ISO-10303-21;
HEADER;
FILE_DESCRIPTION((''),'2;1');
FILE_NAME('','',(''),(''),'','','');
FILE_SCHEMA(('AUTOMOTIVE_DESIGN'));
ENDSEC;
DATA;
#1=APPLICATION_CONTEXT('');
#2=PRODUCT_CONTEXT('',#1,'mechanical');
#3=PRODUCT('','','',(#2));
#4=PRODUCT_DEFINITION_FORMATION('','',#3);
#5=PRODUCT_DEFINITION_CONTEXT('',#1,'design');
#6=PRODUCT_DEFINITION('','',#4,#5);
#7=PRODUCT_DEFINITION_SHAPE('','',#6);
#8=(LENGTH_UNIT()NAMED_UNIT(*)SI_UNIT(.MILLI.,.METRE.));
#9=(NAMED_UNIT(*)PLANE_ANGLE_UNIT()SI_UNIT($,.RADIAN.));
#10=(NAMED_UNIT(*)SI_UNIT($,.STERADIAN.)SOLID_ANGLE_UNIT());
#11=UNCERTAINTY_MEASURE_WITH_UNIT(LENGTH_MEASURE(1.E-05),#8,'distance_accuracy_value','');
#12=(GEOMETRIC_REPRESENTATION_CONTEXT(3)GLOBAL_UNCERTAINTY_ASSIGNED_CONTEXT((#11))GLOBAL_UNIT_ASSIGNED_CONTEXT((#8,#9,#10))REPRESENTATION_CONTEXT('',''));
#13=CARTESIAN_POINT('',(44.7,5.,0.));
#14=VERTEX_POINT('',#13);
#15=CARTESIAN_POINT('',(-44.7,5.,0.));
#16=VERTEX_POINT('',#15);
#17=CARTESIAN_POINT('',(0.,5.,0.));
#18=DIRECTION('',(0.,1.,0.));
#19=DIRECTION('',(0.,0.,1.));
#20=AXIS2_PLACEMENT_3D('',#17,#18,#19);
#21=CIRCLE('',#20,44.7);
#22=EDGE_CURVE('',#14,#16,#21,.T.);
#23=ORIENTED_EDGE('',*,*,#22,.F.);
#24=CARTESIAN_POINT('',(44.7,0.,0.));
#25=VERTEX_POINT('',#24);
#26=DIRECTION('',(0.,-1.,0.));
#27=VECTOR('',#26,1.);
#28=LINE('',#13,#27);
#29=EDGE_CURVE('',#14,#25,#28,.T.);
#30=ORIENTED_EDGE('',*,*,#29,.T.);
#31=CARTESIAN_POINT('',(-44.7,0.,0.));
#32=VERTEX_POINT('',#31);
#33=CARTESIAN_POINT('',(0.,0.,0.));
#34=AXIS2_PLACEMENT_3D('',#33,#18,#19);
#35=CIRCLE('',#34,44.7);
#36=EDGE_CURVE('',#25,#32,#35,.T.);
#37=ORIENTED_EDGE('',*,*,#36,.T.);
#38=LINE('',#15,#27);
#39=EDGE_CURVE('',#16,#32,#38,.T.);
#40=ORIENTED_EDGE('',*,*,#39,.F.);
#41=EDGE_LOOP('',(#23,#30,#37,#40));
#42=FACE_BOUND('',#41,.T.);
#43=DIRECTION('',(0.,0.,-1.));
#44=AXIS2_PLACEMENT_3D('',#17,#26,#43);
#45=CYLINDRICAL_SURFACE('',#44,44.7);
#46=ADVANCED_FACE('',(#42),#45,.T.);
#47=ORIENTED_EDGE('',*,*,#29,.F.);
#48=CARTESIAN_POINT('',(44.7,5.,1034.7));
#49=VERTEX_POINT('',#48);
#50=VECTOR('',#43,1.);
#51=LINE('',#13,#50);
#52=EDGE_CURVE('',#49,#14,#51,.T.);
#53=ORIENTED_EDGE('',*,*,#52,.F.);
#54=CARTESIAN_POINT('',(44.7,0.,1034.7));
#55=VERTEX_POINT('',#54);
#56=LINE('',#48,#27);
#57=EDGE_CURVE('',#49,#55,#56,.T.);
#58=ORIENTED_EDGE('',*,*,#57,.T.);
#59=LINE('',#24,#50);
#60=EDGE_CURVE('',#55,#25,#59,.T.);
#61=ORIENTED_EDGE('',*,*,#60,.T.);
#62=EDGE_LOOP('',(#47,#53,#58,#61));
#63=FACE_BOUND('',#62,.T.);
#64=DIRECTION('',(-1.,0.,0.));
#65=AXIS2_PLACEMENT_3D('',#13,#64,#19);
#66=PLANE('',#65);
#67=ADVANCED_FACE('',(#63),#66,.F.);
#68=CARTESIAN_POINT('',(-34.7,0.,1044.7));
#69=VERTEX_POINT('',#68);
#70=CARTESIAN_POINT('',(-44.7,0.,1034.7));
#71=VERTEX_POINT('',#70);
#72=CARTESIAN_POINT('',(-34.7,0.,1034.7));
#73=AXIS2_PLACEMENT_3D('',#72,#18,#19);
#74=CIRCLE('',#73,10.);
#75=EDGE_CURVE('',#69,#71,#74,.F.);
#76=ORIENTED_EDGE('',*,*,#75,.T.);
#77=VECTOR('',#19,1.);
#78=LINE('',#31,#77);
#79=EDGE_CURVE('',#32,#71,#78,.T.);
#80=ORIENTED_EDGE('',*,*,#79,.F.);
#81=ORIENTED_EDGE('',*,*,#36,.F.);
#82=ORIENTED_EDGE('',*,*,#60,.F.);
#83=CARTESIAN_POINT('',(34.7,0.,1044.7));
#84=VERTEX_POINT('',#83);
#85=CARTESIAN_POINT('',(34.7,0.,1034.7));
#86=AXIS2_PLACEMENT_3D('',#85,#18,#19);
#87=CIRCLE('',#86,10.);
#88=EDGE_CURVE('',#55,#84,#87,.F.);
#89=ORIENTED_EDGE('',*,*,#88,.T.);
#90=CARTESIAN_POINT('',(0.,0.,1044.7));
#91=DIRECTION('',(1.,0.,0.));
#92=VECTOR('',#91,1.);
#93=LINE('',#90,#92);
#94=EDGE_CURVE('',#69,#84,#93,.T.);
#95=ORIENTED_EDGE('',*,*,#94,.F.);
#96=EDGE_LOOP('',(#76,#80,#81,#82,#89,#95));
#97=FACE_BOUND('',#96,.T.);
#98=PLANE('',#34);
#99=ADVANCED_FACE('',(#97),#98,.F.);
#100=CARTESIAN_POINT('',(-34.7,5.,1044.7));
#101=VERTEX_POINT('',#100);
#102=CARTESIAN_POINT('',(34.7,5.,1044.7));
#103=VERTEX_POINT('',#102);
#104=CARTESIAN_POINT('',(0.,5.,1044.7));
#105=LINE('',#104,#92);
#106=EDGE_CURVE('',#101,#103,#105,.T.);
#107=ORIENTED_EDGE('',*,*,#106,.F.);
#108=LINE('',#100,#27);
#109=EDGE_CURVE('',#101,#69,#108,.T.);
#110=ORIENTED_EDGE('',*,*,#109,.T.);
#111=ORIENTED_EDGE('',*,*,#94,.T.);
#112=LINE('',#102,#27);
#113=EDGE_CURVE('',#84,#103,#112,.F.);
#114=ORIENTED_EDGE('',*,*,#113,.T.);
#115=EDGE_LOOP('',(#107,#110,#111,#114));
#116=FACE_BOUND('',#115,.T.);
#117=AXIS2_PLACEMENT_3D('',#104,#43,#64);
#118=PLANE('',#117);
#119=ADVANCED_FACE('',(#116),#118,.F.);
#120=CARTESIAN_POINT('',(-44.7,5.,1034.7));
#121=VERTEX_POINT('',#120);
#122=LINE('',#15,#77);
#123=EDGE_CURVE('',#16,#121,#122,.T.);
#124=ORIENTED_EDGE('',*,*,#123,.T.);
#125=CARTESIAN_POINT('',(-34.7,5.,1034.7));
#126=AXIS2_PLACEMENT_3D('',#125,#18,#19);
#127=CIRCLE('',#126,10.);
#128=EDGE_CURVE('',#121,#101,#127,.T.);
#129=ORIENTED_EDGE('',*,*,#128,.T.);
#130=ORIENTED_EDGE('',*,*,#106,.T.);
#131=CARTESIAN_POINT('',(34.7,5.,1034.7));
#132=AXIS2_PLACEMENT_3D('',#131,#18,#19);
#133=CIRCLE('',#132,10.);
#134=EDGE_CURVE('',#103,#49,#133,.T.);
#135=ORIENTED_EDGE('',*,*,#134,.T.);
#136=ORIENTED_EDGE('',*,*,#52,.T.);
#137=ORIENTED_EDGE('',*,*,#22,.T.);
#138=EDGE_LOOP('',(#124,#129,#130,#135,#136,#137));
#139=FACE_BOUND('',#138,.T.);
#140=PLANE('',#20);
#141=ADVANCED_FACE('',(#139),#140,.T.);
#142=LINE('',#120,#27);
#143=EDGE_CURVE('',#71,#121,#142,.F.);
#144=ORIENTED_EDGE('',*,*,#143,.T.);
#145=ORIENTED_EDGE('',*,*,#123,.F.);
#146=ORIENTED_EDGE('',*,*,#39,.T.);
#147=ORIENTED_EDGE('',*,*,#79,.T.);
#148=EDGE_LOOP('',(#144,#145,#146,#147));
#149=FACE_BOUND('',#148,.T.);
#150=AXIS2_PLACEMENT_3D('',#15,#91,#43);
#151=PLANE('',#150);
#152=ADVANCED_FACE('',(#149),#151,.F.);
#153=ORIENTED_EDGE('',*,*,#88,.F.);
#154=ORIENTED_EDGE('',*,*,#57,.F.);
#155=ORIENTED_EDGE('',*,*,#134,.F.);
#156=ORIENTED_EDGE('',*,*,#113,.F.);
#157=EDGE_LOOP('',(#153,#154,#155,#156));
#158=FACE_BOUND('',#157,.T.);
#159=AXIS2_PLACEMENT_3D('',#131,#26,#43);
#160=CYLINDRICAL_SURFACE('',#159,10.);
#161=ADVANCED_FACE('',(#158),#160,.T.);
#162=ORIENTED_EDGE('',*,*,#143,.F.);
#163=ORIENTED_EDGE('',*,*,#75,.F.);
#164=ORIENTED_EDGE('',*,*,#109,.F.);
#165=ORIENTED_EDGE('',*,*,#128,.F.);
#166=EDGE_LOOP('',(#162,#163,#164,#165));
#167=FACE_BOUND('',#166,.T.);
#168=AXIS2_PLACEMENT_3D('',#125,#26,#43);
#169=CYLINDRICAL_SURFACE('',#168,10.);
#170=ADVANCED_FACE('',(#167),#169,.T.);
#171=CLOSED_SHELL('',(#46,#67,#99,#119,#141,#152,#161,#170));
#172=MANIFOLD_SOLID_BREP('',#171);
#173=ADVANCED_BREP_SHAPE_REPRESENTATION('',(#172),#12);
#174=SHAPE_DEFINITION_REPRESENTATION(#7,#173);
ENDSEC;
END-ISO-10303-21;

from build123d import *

# Parameters (mm, degrees)
SKETCH1_R           = 44.7
BOSS_EXTRUDE1_DEPTH = 5
FILLET1_R           = 10


with BuildPart() as part:
    # Sketch1 → Boss-Extrude1 (new body)
    with BuildSketch(Plane(origin=(0, 0, 0), x_dir=(1, 0, 0), z_dir=(0, 1, 0))):
        with BuildLine():
            ThreePointArc((44.7, 0), (0, -44.7), (-44.7, 0))
            Line((-44.7, 0), (-44.7, -1044.7))
            Line((-44.7, -1044.7), (44.7, -1044.7))
            Line((44.7, -1044.7), (44.7, 0))
        make_face()
        Circle(SKETCH1_R)
    extrude(amount=BOSS_EXTRUDE1_DEPTH)

    # Fillet1
    fillet1_edges = [part.edges().sort_by_distance(p)[0] for p in [
        (44.7, 2.5, 1044.7),
        (-44.7, 2.5, 1044.7),
    ]]
    fillet(fillet1_edges, radius=FILLET1_R)


solid = part.part
